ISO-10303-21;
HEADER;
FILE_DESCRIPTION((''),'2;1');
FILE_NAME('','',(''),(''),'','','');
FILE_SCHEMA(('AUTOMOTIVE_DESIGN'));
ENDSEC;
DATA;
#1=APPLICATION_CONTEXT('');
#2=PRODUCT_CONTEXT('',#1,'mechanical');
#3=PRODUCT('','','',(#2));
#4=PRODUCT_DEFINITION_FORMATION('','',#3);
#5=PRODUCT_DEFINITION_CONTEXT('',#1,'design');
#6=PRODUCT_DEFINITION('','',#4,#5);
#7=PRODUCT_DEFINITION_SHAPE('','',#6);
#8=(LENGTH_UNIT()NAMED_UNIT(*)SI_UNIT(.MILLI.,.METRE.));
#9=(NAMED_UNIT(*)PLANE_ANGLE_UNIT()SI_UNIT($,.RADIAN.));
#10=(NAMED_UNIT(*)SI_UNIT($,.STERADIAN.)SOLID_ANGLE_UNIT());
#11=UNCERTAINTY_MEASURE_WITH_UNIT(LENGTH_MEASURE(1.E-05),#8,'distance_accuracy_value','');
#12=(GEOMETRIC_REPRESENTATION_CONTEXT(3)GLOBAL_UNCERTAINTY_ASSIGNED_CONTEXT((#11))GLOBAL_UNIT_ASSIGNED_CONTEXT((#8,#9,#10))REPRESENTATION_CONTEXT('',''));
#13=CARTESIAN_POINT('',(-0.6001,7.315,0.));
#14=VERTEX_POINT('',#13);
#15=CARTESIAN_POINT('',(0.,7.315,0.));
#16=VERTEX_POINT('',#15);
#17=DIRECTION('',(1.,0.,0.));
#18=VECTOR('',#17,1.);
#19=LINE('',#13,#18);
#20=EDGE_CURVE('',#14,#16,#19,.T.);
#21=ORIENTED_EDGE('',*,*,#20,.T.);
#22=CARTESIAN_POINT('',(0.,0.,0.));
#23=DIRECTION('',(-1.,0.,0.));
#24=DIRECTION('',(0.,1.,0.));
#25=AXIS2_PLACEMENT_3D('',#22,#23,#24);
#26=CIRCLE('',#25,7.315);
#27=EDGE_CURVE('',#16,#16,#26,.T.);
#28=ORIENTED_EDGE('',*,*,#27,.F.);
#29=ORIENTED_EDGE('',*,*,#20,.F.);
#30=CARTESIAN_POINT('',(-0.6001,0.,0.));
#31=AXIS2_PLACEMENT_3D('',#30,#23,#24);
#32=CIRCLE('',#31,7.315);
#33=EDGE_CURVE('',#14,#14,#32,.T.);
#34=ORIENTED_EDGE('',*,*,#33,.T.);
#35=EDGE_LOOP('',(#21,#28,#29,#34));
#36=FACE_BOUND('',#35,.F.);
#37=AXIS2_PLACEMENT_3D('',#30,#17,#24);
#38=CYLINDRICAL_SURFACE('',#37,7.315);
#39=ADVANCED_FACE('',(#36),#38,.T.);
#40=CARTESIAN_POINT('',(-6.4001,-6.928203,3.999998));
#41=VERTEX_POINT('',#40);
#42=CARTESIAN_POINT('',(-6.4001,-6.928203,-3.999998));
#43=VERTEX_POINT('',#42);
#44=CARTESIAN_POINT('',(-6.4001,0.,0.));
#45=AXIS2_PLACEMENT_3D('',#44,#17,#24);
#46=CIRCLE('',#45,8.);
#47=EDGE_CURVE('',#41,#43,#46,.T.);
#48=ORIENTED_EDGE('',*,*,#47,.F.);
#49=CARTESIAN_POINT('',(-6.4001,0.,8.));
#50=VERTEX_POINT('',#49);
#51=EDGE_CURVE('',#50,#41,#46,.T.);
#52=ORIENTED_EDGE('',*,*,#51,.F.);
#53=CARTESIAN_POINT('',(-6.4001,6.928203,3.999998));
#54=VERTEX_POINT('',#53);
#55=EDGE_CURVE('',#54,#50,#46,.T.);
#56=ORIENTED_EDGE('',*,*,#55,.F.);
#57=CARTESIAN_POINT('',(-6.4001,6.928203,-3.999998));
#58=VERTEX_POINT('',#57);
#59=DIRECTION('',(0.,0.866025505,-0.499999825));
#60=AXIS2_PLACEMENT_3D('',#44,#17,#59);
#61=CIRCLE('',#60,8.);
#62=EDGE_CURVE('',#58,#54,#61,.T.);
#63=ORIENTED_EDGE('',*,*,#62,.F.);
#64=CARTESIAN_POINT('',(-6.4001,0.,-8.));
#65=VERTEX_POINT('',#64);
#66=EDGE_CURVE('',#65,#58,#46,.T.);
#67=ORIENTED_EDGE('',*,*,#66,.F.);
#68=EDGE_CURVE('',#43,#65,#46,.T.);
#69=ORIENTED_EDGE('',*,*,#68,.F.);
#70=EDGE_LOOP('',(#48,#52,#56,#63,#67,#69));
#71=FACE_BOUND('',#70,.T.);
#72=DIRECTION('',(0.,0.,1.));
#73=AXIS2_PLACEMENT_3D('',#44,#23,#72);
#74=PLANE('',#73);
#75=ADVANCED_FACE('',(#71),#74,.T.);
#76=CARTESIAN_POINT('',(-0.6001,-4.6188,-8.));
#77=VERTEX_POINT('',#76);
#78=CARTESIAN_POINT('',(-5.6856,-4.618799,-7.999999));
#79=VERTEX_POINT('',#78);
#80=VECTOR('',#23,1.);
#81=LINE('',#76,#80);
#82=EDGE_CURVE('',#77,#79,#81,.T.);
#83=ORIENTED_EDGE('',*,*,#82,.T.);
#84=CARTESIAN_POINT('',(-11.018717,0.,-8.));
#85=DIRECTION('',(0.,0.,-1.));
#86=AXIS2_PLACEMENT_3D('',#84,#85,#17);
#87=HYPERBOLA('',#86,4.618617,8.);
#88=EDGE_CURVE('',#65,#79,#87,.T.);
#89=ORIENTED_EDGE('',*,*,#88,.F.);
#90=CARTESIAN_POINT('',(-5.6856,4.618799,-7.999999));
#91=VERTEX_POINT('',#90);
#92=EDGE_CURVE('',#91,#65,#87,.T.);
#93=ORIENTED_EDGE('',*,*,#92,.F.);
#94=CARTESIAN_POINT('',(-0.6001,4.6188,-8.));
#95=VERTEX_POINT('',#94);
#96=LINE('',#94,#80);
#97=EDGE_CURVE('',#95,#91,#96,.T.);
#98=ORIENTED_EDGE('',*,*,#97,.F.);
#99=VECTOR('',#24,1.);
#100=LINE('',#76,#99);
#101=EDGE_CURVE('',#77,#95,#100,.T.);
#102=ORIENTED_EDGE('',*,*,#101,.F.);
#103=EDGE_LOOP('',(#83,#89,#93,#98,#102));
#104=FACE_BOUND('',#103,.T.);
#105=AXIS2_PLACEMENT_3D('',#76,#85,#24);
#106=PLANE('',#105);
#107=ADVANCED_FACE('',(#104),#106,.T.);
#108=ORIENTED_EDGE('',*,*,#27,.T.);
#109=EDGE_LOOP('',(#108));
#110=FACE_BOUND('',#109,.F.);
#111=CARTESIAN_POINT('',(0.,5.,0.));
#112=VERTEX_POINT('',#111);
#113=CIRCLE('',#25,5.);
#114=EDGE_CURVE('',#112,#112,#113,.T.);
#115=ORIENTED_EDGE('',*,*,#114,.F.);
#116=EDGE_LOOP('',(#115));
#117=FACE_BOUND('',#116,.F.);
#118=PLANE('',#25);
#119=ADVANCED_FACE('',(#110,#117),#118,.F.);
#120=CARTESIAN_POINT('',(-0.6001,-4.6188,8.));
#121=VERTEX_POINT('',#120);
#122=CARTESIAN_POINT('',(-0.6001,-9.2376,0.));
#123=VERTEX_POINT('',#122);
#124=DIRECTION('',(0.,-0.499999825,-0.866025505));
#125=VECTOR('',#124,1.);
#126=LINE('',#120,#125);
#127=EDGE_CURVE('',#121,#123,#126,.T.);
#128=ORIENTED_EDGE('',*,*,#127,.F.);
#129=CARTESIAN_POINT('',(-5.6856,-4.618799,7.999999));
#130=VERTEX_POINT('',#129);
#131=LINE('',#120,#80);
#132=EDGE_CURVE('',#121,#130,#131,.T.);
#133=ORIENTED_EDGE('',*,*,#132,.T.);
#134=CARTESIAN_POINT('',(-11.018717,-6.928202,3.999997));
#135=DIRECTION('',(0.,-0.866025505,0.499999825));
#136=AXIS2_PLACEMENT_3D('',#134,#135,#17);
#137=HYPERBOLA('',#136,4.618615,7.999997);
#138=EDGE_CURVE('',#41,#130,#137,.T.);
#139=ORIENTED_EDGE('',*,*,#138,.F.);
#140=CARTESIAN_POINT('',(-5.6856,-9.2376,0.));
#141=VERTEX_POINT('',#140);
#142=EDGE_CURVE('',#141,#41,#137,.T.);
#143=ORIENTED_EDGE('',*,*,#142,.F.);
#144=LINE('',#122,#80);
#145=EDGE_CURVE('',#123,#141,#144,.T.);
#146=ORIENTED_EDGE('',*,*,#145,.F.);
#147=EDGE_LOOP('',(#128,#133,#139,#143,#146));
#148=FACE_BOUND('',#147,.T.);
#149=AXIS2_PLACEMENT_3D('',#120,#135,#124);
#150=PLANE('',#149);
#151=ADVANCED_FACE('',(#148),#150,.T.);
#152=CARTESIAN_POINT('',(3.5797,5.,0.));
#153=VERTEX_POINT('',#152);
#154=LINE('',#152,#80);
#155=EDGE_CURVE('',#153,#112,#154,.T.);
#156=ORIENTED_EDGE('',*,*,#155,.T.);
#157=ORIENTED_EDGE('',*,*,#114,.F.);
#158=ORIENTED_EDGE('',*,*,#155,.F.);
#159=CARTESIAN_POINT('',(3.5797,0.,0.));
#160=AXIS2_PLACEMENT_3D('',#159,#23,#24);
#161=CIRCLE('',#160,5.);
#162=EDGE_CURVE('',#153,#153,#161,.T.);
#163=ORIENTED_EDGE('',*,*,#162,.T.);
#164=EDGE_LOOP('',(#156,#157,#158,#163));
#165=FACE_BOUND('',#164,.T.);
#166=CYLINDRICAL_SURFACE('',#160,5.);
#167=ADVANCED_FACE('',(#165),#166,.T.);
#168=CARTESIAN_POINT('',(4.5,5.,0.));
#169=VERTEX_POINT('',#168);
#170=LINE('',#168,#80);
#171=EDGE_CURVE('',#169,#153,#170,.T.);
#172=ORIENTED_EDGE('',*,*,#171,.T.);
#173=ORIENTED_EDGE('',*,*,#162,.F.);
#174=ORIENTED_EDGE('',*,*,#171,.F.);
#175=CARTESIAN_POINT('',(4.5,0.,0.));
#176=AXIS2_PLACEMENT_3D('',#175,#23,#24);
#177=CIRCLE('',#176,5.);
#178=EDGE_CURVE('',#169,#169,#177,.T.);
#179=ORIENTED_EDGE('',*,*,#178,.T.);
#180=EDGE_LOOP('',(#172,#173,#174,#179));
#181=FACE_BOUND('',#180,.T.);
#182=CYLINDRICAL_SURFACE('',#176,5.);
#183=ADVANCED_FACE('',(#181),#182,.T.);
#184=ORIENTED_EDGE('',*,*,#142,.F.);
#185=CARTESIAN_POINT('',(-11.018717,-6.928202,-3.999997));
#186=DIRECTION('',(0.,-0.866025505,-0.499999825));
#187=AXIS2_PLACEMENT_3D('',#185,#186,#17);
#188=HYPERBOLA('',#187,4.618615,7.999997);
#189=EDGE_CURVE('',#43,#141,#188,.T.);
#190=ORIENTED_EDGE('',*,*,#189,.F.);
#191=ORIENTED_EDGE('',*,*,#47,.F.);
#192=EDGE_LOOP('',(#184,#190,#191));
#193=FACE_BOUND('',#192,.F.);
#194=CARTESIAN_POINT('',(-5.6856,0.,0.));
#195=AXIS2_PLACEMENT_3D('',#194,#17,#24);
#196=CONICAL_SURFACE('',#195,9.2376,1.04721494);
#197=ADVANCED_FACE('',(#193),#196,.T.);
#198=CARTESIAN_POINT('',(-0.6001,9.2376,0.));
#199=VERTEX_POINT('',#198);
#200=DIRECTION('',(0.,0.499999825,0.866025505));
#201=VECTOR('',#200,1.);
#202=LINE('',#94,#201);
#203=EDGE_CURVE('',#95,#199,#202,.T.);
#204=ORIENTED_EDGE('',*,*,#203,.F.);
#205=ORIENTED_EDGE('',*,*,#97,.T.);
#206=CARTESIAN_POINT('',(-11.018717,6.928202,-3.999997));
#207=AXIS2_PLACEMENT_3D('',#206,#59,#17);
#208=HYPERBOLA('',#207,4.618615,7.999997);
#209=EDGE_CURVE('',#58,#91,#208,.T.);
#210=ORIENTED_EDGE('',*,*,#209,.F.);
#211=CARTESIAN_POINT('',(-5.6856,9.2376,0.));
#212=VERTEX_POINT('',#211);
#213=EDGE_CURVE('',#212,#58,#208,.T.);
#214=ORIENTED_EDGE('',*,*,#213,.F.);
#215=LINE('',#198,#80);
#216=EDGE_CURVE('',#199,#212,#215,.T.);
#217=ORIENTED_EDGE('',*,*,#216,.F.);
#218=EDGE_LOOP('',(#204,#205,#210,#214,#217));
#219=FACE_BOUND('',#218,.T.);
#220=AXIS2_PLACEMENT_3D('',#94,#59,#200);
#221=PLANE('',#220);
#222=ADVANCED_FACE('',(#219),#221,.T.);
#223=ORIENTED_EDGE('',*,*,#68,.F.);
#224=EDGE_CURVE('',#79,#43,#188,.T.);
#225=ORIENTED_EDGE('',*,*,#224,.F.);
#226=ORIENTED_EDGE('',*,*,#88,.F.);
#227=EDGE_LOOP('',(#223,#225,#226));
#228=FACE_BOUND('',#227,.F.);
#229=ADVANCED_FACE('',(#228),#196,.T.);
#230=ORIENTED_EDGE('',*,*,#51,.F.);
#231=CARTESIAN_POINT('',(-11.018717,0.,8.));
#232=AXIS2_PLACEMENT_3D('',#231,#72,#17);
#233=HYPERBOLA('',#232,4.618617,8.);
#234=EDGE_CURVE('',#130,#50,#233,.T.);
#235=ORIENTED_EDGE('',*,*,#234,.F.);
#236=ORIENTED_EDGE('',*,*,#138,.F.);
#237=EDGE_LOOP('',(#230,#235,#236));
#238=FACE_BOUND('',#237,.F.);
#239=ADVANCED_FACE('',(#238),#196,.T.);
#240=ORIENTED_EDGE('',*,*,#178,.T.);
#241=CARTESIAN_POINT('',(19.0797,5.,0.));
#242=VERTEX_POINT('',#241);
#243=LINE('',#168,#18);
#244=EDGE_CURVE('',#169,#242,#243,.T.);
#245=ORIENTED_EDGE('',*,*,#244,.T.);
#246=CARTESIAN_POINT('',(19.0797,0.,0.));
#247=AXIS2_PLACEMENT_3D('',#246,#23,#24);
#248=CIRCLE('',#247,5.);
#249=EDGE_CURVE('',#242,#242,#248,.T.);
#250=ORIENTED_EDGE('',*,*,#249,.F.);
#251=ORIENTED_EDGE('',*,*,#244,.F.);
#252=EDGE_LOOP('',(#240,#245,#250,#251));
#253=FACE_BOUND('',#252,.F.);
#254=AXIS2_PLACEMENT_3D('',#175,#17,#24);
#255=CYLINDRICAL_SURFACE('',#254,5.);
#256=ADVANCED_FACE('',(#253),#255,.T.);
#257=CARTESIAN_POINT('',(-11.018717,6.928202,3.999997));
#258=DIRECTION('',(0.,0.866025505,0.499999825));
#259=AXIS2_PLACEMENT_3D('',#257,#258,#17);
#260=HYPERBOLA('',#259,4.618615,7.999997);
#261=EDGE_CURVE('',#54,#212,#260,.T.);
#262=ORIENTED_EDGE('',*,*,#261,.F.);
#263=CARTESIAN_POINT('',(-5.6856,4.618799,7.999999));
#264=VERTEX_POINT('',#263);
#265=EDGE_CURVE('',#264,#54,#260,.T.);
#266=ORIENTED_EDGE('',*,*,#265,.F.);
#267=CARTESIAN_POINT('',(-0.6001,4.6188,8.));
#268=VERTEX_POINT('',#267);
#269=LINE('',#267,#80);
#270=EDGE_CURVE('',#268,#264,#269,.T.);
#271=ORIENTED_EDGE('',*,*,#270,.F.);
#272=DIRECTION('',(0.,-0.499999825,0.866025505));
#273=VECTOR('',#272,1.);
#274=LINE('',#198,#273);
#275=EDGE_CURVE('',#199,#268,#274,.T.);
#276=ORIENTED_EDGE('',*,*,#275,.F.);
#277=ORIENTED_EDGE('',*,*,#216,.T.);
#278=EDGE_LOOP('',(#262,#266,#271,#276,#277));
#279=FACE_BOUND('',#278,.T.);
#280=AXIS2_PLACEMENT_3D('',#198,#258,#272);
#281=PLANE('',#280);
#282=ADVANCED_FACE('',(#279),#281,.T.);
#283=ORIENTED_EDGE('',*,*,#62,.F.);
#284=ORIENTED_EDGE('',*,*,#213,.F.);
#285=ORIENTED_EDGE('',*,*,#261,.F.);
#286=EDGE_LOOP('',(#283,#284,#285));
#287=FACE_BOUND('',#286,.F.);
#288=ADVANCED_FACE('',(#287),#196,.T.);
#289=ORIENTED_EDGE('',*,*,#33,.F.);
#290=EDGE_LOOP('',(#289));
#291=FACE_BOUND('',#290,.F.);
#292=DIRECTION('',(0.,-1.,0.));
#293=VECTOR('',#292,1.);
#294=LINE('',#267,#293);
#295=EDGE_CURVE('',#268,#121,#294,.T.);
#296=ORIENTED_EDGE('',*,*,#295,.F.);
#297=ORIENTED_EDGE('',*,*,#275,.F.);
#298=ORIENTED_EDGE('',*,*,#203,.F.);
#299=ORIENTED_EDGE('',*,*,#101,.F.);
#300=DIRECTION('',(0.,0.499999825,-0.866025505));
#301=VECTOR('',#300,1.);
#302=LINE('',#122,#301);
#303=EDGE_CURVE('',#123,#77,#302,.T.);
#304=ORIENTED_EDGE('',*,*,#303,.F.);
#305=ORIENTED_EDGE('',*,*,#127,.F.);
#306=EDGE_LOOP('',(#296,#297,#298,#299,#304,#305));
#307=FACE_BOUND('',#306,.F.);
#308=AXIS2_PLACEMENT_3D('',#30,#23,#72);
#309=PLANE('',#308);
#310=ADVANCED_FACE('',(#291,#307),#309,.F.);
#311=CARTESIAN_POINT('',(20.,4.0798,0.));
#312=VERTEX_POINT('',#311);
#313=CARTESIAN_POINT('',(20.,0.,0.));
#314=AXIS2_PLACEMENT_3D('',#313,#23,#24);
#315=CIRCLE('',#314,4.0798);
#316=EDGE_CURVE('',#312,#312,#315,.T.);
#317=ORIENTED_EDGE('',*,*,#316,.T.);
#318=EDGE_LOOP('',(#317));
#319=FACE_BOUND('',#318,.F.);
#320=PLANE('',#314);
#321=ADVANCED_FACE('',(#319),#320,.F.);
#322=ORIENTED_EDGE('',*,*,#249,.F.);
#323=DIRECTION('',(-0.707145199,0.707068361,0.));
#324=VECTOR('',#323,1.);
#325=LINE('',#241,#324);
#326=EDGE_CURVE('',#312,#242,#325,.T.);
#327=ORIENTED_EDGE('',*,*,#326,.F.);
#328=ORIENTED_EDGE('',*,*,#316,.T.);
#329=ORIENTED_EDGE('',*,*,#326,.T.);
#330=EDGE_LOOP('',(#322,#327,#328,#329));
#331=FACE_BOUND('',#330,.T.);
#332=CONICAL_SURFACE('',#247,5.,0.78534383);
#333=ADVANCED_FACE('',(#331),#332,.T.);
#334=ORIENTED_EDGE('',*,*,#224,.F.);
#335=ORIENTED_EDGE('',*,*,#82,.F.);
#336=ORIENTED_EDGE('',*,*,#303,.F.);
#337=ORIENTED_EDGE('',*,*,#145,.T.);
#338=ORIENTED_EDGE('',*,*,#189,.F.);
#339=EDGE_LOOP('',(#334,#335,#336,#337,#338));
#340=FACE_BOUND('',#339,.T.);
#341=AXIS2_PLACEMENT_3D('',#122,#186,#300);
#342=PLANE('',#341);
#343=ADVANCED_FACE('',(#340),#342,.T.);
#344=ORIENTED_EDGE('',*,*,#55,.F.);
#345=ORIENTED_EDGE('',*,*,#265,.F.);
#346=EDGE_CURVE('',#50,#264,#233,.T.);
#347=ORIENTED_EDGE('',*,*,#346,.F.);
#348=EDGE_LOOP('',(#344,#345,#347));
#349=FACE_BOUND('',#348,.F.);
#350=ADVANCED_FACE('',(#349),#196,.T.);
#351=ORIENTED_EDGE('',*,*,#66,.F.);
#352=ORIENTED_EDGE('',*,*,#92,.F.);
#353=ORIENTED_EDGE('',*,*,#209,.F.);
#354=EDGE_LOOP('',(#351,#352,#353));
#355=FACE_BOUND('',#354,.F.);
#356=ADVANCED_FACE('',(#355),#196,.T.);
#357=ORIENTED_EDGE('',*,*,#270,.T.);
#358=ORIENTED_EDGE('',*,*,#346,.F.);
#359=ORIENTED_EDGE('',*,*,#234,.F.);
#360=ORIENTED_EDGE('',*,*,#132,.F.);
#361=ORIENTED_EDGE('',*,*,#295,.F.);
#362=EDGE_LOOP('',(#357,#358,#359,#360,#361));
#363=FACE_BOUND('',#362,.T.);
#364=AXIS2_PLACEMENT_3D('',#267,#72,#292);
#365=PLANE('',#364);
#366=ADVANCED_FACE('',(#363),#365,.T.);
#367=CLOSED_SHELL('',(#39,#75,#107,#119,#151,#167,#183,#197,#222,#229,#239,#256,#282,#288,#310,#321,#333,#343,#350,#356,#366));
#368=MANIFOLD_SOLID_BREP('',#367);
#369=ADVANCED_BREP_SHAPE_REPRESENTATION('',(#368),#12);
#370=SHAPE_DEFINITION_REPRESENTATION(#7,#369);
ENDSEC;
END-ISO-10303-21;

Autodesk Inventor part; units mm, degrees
ref_plane "YZ Plane" through (0, 0, 0) normal (1, 0, 0) x (0, 1, 0)
ref_plane "XZ Plane" through (0, 0, 0) normal (0, 1, 0) x (-1, 0, 0)
sketch "Sketch1" plane through (0, 0, 0) normal (0, 0, 1) x (1, 0, 0)
  line L0 (0, 7.315) -> (0, 5)
  line L1 (4.5, 5) -> (20, 5)
  line L2 (20, 5) -> (20, 0)
  line L3 (20, 0) -> (-0.6001, 0)
  line L4 (-4.7201, 0) -> (24.12, 0) projected
  line L5 (-0.6001, 0) -> (-0.6001, 7.315)
  line L6 (-0.6001, 7.315) -> (0, 7.315)
  line L7 (4.5, 5) -> (3.5797, 5)
  line L8 (3.5797, 5) -> (0, 5)
  line L9 (0, -1.463) -> (0, 8.778) projected
  dimension "d0" = 20
  dimension "d1" = 15.5
  dimension "d2" = 10
  dimension "d9" = 0.6001
  dimension "d10" = 14.63
  dimension "d13" = 0.9203
  dimension "d14" = 10
revolve "Body" add sketch "Sketch1" angle 360 about axis through (20, 0, 0) along (-1, 0, 0)
sketch "Sketch2" plane through (-0.6001, 0, 0) normal (-1, 0, 0) x (0, 0, 1)
  line L0 (0, 9.2376) -> (8, 4.6188)
  line L1 (8, 4.6188) -> (8, -4.6188)
  line L2 (8, -4.6188) -> (0, -9.2376)
  line L3 (0, -9.2376) -> (-8, -4.6188)
  line L4 (-8, -4.6188) -> (-8, 4.6188)
  line L5 (-8, 4.6188) -> (0, 9.2376)
  point P0 (0, 0)
  point P1 (0, 0)
  dimension "d11" = 16
extrude "Head" add sketch "Sketch2" along normal blind 5.8
sketch "Sketch4" plane through (0, 0, 0) normal (0, 0, 1) x (1, 0, 0)
  line L0 (-6.4001, 8) -> (-6.4001, 9.2376)
  line L1 (-6.4001, 9.2376) -> (-5.6856, 9.2376)
  line L2 (-5.6856, 9.2376) -> (-6.4001, 8)
  line L3 (-7.5601, 0) -> (0.5599, 0) projected
  line L4 (-0.6001, 9.2376) -> (-6.4001, 9.2376) projected
  line L5 (-6.4001, 4.6188) -> (-6.4001, 9.2376) projected
  dimension "d5" = 30
  dimension "d19" = 16
revolve "Chamfer1" cut sketch "Sketch4" angle 360 about axis through (-10, 0, 0) along (1, 0, 0)
thread "Thread" size "M10x1.5" class "6g" standard "ISO Metric profile" length 15.5
chamfer "Chamfer2" distance 0.9202 distance2 0.9203 1 edges at (20, -5, 0) measured on face at (20, -0.8193, 0.3214)
ref_plane "Work Plane1" through (1.525, 0, 0) normal (0, 0, 1) x (1, 0, 0)
equation "\"d0\" = NLG"
equation "\"d1\" = GEL"
equation "\"d2\" = GD"
equation "\"d10\" = SD2"
equation "\"d14\" = BDM"
equation "\"d11\" = SW"
equation "\"d3\" = KOH - SD"
equation "\"d5\" = ANG1"
equation "\"d19\" = SW0"
equation "\"d15\" = GEL"
equation "\"d6\" = -0.5 * SPD + 0.5 * GD"
equation "\"NLG\" = 20"
equation "\"GD\" = NND"
equation "\"BDM\" = NND"
equation "\"KOH\" = 6.4"
equation "\"GEL\" = 15.5"
equation "\"SW\" = 16"
equation "\"SW0\" = SW"
equation "\"SPD\" = NND - 1.2269 * PTC"
equation "\"SD2\" = 14.63"
equation "\"SD\" = 0.6"
equation "\"ANG1\" = 30deg"
equation "\"GAL\" = 0.61345 * PTC"
equation "\"GUL\" = 0.61345 * PTC"
equation "\"RR\" = 0.4"
equation "\"GD1\" = THREADDIA - 1.2269 * PTC"
equation "\"SDH\" = SD2"
equation "\"SDHG\" = 4.5"
equation "\"TOA\" = 30deg"
equation "\"PTC\" = 1.5"
equation "\"E0\" = 18.48"
equation "\"NND\" = 10"
equation "\"THREADDIA\" = 10"
properties part number "ISO 4017 - M10 x 20" material "Steel, Mild"
